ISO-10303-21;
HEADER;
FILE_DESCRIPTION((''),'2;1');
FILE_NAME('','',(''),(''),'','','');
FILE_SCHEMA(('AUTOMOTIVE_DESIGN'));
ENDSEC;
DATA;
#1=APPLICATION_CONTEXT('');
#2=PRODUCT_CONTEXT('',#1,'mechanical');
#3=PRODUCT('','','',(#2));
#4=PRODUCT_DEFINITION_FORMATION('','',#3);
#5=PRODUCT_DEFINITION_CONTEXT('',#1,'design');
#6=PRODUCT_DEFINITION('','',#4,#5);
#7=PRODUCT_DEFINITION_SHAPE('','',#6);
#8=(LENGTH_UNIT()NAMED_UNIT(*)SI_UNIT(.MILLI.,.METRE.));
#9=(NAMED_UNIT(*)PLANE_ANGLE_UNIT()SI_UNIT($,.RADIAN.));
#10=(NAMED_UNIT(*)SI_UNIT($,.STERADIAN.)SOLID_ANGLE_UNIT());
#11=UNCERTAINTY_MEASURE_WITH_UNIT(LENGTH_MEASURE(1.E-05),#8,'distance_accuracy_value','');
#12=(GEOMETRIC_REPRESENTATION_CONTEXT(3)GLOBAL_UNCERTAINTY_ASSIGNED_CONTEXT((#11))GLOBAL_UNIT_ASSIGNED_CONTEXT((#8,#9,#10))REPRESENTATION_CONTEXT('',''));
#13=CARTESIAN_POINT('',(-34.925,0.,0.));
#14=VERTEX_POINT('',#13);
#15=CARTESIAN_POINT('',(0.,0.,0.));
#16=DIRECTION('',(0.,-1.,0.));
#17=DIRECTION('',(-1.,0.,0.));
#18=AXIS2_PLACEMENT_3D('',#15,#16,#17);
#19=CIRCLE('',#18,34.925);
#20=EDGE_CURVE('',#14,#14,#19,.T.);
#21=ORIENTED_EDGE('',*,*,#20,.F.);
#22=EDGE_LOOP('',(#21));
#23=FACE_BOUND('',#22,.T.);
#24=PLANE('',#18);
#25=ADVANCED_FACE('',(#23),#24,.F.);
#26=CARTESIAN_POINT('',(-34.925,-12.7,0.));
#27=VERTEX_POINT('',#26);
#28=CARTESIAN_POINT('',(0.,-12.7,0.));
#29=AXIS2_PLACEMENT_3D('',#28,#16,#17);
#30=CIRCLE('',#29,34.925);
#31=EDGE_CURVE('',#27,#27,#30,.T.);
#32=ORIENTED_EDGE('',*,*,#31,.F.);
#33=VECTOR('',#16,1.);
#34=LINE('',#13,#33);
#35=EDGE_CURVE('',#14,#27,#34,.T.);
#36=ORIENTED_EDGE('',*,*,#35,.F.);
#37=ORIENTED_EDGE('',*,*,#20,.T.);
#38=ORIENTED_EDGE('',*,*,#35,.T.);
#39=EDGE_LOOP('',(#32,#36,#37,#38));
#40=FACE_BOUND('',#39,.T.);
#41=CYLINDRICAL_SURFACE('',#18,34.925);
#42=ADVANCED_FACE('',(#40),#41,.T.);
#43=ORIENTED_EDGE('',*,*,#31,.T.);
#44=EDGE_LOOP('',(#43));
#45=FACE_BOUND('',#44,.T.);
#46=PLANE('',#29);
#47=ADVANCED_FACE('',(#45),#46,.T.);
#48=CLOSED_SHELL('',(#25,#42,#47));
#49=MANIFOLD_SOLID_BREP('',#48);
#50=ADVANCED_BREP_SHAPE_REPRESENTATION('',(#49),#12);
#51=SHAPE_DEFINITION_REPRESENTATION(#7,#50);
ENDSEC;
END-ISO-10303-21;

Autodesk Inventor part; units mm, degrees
ref_plane "YZ Plane" through (0, 0, 0) normal (1, 0, 0) x (0, 1, 0)
ref_plane "XZ Plane" through (0, 0, 0) normal (0, 1, 0) x (-1, 0, 0)
ref_plane "XY Plane" through (0, 0, 0) normal (0, 0, 1) x (1, 0, 0)
sketch "Sketch1" plane through (0, 0, 0) normal (0, 0, 1) x (1, 0, 0)
  line L0 (-34.925, -12.7) -> (0, -12.7)
  line L1 (0, -12.7) -> (0, 0)
  line L2 (0, 0) -> (-34.925, 0)
  line L3 (-34.925, 0) -> (-34.925, -12.7)
  line L4 (-34.925, 0) -> (0, 0)
  line L5 (0, 0) -> (0, -12.7)
  dimension "d0" = 34.925
  dimension "d1" = 12.7
revolve "Revolution1" add sketch "Sketch1" angle 360 about axis through (0, 0, 0) along (0, -1, 0)
properties part number "CF Insert Flange Support 01"
